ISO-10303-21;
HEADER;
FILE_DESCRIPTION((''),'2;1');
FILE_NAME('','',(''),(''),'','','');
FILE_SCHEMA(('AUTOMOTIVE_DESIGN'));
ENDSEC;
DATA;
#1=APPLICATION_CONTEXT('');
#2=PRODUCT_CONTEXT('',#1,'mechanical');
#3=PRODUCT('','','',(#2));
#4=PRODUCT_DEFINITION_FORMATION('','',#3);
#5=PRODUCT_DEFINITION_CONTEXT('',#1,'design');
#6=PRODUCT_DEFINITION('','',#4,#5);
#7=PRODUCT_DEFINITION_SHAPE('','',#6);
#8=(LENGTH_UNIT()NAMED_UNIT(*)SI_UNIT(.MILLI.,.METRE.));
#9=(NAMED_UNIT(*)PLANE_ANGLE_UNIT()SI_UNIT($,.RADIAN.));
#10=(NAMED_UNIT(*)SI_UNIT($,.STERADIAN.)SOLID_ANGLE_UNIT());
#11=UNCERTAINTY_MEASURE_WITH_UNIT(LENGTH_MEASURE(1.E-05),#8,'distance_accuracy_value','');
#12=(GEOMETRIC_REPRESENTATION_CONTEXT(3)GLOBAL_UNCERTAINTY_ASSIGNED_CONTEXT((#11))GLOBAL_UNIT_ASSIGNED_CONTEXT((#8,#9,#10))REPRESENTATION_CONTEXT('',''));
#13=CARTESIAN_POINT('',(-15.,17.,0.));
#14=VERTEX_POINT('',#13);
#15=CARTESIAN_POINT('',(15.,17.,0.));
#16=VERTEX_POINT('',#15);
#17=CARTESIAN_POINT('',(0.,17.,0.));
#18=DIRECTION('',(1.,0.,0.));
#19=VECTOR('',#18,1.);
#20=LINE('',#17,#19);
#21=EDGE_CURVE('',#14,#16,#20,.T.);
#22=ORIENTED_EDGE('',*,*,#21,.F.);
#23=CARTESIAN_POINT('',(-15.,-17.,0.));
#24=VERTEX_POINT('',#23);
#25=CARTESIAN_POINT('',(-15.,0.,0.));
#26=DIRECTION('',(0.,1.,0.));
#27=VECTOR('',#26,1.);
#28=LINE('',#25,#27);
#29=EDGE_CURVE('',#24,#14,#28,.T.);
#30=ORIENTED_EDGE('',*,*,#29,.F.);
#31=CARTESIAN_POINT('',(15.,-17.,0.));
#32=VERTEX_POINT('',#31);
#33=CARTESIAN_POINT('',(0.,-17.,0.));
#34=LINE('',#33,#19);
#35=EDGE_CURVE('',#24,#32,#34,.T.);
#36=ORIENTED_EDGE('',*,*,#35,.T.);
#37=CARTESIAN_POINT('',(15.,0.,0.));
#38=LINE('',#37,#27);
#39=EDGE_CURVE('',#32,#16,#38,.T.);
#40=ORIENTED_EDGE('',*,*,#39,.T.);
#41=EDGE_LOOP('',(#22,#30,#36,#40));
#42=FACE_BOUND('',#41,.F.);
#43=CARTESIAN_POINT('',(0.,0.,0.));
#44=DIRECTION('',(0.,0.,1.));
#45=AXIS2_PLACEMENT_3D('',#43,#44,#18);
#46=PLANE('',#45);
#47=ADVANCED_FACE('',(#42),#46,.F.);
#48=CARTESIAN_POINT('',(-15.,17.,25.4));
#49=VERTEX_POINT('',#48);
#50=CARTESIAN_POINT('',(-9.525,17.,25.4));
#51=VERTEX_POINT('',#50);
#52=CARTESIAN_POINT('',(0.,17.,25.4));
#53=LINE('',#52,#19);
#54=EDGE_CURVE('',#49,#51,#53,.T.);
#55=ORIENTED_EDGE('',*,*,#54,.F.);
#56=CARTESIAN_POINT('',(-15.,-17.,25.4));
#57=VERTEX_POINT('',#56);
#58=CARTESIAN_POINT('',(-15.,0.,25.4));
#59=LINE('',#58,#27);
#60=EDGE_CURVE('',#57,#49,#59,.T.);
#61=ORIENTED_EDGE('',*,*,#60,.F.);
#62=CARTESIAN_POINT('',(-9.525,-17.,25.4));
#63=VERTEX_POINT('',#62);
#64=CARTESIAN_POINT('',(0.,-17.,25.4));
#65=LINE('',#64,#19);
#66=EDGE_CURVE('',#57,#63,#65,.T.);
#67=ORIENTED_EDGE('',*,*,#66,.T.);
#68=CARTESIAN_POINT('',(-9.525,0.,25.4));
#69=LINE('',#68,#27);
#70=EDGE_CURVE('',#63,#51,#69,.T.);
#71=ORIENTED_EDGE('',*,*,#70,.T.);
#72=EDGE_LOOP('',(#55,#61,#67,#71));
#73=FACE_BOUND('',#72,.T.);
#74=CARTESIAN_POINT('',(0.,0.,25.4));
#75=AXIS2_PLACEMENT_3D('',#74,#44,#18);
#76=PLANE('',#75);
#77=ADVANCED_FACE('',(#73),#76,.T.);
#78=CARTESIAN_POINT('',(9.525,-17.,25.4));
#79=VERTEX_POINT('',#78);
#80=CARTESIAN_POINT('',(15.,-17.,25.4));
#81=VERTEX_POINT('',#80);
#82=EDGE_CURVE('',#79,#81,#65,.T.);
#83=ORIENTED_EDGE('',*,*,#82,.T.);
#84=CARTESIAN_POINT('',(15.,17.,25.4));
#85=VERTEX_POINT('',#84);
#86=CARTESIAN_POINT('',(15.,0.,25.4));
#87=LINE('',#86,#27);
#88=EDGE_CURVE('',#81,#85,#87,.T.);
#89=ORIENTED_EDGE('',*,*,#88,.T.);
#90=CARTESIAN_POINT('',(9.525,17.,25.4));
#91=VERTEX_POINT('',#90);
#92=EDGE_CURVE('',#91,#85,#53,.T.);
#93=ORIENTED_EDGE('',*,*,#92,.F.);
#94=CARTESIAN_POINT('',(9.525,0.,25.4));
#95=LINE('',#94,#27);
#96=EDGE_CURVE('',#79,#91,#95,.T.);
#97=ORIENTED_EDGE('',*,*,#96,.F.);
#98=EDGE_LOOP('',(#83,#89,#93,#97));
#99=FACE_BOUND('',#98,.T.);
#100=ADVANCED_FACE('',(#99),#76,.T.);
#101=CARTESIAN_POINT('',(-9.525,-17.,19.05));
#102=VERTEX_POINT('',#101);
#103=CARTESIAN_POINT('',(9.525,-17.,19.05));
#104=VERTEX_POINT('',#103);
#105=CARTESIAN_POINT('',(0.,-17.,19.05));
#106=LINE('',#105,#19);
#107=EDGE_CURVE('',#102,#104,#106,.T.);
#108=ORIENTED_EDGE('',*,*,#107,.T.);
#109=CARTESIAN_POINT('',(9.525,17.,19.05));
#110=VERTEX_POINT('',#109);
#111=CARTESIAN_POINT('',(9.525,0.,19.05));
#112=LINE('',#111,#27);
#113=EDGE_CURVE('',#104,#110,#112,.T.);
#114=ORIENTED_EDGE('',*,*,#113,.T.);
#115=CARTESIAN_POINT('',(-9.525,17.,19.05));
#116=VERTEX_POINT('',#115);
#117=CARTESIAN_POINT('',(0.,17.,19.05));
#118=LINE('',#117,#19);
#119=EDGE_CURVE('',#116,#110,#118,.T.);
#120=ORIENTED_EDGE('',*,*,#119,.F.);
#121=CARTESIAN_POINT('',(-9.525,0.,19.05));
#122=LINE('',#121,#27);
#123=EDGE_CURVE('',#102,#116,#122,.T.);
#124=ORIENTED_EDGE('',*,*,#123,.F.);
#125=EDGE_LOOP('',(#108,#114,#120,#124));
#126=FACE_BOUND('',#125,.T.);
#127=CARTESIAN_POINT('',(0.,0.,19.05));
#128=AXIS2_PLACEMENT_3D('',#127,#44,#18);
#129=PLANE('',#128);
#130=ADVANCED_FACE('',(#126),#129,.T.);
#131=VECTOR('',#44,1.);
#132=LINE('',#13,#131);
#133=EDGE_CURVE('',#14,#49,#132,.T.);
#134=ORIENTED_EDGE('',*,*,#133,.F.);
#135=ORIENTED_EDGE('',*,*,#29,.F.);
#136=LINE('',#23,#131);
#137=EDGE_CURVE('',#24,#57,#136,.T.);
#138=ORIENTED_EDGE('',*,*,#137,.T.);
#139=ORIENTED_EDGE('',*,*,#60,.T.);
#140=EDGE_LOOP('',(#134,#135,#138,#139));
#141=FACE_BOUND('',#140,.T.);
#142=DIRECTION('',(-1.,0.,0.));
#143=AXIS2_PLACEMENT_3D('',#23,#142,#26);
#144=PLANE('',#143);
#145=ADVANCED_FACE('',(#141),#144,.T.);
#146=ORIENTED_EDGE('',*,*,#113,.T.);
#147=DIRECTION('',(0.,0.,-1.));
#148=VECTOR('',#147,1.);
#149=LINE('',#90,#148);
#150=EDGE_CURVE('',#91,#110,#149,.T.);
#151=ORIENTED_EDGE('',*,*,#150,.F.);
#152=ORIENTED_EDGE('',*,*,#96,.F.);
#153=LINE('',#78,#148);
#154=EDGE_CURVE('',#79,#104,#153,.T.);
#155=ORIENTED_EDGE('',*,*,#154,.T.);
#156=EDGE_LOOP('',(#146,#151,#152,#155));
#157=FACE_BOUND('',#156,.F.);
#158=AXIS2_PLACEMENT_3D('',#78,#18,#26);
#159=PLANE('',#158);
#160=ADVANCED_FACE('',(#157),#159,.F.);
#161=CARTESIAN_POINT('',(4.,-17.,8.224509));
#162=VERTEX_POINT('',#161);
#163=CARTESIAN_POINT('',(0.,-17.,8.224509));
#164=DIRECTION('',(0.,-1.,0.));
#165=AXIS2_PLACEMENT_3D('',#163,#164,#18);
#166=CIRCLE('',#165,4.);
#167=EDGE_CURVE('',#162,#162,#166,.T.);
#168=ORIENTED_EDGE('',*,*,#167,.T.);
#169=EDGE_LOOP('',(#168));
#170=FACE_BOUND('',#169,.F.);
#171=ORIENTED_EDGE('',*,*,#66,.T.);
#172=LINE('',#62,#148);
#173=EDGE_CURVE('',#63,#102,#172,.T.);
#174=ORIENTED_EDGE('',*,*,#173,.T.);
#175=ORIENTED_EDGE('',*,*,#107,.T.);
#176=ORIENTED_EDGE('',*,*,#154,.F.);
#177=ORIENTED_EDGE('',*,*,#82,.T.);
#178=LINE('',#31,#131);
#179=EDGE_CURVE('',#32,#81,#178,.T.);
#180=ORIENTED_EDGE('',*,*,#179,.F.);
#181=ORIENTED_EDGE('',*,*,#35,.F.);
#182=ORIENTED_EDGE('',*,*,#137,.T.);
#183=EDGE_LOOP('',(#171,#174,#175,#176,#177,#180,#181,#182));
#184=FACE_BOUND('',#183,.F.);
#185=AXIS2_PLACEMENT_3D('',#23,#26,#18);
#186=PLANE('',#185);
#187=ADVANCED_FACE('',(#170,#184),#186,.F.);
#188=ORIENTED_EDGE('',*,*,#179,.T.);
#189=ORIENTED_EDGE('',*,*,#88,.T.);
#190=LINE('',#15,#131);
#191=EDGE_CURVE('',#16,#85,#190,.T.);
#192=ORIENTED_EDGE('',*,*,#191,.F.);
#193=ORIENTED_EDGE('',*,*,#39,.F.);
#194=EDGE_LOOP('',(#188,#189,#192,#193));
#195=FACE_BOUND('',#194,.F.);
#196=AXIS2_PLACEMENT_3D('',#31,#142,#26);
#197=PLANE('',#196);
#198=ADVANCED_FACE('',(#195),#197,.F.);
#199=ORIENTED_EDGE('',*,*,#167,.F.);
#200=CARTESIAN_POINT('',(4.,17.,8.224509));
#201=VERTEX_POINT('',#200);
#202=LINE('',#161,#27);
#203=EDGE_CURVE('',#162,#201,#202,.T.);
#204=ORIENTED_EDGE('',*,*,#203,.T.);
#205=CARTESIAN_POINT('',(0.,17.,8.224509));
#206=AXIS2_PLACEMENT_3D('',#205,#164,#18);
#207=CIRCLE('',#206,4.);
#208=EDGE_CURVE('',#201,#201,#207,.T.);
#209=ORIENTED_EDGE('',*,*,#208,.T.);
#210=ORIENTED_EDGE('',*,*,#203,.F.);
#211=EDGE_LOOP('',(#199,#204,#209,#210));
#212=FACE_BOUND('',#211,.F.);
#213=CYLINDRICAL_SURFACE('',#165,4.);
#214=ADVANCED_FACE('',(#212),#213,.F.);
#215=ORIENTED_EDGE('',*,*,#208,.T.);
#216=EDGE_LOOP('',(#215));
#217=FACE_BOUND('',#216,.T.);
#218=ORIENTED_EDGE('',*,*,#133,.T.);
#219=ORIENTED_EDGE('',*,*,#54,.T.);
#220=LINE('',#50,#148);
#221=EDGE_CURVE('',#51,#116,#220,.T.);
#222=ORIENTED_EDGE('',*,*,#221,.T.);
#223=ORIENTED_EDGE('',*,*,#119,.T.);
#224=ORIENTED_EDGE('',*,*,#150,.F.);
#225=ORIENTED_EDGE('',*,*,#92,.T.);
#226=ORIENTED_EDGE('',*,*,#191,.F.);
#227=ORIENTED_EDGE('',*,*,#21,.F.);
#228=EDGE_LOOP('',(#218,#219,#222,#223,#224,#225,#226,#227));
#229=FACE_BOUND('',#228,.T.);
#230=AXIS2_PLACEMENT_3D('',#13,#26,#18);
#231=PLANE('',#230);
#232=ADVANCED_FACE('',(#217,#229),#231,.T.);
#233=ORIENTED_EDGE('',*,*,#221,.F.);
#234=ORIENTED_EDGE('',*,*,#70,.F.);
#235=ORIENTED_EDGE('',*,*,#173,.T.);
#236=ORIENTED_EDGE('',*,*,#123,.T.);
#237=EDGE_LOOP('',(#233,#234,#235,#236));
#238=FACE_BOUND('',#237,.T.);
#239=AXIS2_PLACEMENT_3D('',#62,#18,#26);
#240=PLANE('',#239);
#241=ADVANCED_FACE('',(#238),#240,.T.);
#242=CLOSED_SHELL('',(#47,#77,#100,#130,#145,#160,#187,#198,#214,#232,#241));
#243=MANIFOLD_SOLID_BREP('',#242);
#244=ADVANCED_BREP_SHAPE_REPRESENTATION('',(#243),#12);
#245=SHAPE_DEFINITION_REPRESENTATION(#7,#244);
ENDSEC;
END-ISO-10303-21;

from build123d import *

# Parameters (mm, degrees)
F0_W     = 30
F0_H     = 34
F1_DEPTH = 25.4
F2_R     = 4
F3_DEPTH = 34.001
F4_W     = 19.05
F4_H     = 34
F5_DEPTH = 6.35


with BuildPart() as f1:
    # F0 (on Top) → F1 (new body)
    with BuildSketch(Plane.XY):
        Rectangle(F0_W, F0_H)
    extrude(amount=F1_DEPTH)

    # F2 (on face) → F3 (cut, through all)
    with BuildSketch(Plane.XZ.offset(17)):
        with Locations((0, 8.224509)):
            Circle(F2_R)
    extrude(amount=-F3_DEPTH, mode=Mode.SUBTRACT)

    # F4 (on face) → F5 (cut)
    with BuildSketch(Plane.XY.offset(25.4)):
        Rectangle(F4_W, F4_H)
    extrude(amount=-F5_DEPTH, mode=Mode.SUBTRACT)


solid = f1.part
